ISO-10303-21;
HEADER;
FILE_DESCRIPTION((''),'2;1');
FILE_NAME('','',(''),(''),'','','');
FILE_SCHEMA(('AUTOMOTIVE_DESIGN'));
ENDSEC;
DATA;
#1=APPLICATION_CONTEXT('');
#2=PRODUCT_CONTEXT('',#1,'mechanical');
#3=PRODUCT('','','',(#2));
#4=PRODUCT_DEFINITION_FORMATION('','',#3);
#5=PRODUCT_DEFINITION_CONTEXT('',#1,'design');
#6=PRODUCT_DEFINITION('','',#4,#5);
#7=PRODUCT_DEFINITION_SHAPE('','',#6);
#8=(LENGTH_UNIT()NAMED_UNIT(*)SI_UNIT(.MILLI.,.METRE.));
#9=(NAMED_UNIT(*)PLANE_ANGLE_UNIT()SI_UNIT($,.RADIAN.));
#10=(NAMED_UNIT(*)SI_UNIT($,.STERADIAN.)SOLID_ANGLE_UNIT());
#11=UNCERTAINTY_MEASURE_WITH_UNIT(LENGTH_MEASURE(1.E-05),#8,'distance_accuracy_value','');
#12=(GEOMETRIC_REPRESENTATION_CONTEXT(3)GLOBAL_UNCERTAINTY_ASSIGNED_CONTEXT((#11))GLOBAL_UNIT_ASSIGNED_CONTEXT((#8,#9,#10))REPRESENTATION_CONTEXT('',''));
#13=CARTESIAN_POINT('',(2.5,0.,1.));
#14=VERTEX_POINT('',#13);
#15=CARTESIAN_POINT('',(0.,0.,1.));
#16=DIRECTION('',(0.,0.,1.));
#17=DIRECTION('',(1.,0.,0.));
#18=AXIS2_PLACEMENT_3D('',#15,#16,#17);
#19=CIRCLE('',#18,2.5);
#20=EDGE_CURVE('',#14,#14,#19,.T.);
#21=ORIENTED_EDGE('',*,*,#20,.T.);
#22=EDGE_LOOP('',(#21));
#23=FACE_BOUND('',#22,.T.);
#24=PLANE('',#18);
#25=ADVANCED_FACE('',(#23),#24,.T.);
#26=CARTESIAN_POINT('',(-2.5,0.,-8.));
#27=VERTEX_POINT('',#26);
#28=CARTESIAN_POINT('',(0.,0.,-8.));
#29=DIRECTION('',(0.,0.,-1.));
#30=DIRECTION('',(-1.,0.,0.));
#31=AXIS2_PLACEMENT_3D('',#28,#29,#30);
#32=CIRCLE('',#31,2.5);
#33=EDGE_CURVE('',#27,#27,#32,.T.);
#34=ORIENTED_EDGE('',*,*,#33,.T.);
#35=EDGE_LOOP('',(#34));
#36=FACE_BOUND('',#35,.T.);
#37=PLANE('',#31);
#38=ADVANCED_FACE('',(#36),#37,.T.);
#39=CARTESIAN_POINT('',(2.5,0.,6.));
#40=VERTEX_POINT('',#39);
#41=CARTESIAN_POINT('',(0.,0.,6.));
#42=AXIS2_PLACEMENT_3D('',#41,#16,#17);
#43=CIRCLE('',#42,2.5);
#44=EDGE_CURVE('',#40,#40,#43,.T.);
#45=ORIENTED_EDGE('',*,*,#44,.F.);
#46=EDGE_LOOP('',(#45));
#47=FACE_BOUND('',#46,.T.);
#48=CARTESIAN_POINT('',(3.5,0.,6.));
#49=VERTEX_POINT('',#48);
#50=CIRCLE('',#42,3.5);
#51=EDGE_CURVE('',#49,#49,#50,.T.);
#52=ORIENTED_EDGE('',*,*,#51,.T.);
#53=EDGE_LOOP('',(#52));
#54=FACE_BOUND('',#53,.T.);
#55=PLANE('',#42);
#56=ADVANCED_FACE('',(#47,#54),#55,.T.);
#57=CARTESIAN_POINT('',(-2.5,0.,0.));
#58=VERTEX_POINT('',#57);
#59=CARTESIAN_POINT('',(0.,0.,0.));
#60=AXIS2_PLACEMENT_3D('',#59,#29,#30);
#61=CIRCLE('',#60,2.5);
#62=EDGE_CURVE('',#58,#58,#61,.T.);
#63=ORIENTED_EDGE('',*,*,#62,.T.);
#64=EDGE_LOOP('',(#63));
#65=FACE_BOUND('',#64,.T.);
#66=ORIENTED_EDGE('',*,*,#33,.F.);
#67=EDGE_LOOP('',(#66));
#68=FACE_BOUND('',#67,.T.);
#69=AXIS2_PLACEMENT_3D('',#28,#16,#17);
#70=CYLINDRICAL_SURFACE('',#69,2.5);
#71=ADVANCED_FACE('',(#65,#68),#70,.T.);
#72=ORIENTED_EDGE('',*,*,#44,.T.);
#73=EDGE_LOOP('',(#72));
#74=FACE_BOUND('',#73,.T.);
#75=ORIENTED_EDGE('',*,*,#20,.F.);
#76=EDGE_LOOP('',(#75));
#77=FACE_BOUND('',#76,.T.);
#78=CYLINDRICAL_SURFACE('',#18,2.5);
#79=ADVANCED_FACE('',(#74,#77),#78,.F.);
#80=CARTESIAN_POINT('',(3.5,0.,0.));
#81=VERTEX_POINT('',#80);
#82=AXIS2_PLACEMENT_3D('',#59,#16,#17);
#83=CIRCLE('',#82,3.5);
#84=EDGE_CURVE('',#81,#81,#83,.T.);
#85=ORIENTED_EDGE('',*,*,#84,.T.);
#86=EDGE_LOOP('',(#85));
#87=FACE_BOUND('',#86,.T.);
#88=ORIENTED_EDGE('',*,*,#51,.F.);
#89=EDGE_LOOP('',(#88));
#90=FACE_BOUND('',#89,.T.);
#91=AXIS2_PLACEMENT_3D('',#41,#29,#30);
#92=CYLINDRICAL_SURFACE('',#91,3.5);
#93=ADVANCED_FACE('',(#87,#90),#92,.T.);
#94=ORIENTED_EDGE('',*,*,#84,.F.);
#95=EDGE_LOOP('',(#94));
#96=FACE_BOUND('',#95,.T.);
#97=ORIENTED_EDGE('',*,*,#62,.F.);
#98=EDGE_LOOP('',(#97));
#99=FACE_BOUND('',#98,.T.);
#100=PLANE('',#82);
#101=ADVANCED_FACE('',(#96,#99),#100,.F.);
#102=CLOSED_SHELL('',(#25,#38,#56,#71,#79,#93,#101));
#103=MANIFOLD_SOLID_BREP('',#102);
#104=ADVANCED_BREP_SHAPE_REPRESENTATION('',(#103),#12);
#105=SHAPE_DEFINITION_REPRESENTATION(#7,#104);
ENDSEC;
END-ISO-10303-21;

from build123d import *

# Parameters (mm, degrees)
ESQUISSE1_R             = 3.5
BOSS_EXTRU_2_DEPTH      = 6
ESQUISSE3_R             = 2.5
ENL_V_MAT_EXTRU_1_DEPTH = 5
ESQUISSE4_R             = 2.5
BOSS_EXTRU_3_DEPTH      = 8


with BuildPart() as part:
    # Esquisse1 → Boss.-Extru.2 (new body)
    with BuildSketch(Plane.XY):
        Circle(ESQUISSE1_R)
    extrude(amount=BOSS_EXTRU_2_DEPTH)

    # Esquisse3 → Enlèv. mat.-Extru.1 (cut)
    with BuildSketch(Plane.XY.offset(6)):
        Circle(ESQUISSE3_R)
    extrude(amount=-ENL_V_MAT_EXTRU_1_DEPTH, mode=Mode.SUBTRACT)

    # Esquisse4 → Boss.-Extru.3 (add)
    with BuildSketch(Plane(origin=(0, 0, 0), x_dir=(-1, 0, 0), z_dir=(0, 0, -1))):
        with Locations(Location((0, 0, 0), (0, 0, 180))):
            Circle(ESQUISSE4_R)
    extrude(amount=BOSS_EXTRU_3_DEPTH)


solid = part.part
